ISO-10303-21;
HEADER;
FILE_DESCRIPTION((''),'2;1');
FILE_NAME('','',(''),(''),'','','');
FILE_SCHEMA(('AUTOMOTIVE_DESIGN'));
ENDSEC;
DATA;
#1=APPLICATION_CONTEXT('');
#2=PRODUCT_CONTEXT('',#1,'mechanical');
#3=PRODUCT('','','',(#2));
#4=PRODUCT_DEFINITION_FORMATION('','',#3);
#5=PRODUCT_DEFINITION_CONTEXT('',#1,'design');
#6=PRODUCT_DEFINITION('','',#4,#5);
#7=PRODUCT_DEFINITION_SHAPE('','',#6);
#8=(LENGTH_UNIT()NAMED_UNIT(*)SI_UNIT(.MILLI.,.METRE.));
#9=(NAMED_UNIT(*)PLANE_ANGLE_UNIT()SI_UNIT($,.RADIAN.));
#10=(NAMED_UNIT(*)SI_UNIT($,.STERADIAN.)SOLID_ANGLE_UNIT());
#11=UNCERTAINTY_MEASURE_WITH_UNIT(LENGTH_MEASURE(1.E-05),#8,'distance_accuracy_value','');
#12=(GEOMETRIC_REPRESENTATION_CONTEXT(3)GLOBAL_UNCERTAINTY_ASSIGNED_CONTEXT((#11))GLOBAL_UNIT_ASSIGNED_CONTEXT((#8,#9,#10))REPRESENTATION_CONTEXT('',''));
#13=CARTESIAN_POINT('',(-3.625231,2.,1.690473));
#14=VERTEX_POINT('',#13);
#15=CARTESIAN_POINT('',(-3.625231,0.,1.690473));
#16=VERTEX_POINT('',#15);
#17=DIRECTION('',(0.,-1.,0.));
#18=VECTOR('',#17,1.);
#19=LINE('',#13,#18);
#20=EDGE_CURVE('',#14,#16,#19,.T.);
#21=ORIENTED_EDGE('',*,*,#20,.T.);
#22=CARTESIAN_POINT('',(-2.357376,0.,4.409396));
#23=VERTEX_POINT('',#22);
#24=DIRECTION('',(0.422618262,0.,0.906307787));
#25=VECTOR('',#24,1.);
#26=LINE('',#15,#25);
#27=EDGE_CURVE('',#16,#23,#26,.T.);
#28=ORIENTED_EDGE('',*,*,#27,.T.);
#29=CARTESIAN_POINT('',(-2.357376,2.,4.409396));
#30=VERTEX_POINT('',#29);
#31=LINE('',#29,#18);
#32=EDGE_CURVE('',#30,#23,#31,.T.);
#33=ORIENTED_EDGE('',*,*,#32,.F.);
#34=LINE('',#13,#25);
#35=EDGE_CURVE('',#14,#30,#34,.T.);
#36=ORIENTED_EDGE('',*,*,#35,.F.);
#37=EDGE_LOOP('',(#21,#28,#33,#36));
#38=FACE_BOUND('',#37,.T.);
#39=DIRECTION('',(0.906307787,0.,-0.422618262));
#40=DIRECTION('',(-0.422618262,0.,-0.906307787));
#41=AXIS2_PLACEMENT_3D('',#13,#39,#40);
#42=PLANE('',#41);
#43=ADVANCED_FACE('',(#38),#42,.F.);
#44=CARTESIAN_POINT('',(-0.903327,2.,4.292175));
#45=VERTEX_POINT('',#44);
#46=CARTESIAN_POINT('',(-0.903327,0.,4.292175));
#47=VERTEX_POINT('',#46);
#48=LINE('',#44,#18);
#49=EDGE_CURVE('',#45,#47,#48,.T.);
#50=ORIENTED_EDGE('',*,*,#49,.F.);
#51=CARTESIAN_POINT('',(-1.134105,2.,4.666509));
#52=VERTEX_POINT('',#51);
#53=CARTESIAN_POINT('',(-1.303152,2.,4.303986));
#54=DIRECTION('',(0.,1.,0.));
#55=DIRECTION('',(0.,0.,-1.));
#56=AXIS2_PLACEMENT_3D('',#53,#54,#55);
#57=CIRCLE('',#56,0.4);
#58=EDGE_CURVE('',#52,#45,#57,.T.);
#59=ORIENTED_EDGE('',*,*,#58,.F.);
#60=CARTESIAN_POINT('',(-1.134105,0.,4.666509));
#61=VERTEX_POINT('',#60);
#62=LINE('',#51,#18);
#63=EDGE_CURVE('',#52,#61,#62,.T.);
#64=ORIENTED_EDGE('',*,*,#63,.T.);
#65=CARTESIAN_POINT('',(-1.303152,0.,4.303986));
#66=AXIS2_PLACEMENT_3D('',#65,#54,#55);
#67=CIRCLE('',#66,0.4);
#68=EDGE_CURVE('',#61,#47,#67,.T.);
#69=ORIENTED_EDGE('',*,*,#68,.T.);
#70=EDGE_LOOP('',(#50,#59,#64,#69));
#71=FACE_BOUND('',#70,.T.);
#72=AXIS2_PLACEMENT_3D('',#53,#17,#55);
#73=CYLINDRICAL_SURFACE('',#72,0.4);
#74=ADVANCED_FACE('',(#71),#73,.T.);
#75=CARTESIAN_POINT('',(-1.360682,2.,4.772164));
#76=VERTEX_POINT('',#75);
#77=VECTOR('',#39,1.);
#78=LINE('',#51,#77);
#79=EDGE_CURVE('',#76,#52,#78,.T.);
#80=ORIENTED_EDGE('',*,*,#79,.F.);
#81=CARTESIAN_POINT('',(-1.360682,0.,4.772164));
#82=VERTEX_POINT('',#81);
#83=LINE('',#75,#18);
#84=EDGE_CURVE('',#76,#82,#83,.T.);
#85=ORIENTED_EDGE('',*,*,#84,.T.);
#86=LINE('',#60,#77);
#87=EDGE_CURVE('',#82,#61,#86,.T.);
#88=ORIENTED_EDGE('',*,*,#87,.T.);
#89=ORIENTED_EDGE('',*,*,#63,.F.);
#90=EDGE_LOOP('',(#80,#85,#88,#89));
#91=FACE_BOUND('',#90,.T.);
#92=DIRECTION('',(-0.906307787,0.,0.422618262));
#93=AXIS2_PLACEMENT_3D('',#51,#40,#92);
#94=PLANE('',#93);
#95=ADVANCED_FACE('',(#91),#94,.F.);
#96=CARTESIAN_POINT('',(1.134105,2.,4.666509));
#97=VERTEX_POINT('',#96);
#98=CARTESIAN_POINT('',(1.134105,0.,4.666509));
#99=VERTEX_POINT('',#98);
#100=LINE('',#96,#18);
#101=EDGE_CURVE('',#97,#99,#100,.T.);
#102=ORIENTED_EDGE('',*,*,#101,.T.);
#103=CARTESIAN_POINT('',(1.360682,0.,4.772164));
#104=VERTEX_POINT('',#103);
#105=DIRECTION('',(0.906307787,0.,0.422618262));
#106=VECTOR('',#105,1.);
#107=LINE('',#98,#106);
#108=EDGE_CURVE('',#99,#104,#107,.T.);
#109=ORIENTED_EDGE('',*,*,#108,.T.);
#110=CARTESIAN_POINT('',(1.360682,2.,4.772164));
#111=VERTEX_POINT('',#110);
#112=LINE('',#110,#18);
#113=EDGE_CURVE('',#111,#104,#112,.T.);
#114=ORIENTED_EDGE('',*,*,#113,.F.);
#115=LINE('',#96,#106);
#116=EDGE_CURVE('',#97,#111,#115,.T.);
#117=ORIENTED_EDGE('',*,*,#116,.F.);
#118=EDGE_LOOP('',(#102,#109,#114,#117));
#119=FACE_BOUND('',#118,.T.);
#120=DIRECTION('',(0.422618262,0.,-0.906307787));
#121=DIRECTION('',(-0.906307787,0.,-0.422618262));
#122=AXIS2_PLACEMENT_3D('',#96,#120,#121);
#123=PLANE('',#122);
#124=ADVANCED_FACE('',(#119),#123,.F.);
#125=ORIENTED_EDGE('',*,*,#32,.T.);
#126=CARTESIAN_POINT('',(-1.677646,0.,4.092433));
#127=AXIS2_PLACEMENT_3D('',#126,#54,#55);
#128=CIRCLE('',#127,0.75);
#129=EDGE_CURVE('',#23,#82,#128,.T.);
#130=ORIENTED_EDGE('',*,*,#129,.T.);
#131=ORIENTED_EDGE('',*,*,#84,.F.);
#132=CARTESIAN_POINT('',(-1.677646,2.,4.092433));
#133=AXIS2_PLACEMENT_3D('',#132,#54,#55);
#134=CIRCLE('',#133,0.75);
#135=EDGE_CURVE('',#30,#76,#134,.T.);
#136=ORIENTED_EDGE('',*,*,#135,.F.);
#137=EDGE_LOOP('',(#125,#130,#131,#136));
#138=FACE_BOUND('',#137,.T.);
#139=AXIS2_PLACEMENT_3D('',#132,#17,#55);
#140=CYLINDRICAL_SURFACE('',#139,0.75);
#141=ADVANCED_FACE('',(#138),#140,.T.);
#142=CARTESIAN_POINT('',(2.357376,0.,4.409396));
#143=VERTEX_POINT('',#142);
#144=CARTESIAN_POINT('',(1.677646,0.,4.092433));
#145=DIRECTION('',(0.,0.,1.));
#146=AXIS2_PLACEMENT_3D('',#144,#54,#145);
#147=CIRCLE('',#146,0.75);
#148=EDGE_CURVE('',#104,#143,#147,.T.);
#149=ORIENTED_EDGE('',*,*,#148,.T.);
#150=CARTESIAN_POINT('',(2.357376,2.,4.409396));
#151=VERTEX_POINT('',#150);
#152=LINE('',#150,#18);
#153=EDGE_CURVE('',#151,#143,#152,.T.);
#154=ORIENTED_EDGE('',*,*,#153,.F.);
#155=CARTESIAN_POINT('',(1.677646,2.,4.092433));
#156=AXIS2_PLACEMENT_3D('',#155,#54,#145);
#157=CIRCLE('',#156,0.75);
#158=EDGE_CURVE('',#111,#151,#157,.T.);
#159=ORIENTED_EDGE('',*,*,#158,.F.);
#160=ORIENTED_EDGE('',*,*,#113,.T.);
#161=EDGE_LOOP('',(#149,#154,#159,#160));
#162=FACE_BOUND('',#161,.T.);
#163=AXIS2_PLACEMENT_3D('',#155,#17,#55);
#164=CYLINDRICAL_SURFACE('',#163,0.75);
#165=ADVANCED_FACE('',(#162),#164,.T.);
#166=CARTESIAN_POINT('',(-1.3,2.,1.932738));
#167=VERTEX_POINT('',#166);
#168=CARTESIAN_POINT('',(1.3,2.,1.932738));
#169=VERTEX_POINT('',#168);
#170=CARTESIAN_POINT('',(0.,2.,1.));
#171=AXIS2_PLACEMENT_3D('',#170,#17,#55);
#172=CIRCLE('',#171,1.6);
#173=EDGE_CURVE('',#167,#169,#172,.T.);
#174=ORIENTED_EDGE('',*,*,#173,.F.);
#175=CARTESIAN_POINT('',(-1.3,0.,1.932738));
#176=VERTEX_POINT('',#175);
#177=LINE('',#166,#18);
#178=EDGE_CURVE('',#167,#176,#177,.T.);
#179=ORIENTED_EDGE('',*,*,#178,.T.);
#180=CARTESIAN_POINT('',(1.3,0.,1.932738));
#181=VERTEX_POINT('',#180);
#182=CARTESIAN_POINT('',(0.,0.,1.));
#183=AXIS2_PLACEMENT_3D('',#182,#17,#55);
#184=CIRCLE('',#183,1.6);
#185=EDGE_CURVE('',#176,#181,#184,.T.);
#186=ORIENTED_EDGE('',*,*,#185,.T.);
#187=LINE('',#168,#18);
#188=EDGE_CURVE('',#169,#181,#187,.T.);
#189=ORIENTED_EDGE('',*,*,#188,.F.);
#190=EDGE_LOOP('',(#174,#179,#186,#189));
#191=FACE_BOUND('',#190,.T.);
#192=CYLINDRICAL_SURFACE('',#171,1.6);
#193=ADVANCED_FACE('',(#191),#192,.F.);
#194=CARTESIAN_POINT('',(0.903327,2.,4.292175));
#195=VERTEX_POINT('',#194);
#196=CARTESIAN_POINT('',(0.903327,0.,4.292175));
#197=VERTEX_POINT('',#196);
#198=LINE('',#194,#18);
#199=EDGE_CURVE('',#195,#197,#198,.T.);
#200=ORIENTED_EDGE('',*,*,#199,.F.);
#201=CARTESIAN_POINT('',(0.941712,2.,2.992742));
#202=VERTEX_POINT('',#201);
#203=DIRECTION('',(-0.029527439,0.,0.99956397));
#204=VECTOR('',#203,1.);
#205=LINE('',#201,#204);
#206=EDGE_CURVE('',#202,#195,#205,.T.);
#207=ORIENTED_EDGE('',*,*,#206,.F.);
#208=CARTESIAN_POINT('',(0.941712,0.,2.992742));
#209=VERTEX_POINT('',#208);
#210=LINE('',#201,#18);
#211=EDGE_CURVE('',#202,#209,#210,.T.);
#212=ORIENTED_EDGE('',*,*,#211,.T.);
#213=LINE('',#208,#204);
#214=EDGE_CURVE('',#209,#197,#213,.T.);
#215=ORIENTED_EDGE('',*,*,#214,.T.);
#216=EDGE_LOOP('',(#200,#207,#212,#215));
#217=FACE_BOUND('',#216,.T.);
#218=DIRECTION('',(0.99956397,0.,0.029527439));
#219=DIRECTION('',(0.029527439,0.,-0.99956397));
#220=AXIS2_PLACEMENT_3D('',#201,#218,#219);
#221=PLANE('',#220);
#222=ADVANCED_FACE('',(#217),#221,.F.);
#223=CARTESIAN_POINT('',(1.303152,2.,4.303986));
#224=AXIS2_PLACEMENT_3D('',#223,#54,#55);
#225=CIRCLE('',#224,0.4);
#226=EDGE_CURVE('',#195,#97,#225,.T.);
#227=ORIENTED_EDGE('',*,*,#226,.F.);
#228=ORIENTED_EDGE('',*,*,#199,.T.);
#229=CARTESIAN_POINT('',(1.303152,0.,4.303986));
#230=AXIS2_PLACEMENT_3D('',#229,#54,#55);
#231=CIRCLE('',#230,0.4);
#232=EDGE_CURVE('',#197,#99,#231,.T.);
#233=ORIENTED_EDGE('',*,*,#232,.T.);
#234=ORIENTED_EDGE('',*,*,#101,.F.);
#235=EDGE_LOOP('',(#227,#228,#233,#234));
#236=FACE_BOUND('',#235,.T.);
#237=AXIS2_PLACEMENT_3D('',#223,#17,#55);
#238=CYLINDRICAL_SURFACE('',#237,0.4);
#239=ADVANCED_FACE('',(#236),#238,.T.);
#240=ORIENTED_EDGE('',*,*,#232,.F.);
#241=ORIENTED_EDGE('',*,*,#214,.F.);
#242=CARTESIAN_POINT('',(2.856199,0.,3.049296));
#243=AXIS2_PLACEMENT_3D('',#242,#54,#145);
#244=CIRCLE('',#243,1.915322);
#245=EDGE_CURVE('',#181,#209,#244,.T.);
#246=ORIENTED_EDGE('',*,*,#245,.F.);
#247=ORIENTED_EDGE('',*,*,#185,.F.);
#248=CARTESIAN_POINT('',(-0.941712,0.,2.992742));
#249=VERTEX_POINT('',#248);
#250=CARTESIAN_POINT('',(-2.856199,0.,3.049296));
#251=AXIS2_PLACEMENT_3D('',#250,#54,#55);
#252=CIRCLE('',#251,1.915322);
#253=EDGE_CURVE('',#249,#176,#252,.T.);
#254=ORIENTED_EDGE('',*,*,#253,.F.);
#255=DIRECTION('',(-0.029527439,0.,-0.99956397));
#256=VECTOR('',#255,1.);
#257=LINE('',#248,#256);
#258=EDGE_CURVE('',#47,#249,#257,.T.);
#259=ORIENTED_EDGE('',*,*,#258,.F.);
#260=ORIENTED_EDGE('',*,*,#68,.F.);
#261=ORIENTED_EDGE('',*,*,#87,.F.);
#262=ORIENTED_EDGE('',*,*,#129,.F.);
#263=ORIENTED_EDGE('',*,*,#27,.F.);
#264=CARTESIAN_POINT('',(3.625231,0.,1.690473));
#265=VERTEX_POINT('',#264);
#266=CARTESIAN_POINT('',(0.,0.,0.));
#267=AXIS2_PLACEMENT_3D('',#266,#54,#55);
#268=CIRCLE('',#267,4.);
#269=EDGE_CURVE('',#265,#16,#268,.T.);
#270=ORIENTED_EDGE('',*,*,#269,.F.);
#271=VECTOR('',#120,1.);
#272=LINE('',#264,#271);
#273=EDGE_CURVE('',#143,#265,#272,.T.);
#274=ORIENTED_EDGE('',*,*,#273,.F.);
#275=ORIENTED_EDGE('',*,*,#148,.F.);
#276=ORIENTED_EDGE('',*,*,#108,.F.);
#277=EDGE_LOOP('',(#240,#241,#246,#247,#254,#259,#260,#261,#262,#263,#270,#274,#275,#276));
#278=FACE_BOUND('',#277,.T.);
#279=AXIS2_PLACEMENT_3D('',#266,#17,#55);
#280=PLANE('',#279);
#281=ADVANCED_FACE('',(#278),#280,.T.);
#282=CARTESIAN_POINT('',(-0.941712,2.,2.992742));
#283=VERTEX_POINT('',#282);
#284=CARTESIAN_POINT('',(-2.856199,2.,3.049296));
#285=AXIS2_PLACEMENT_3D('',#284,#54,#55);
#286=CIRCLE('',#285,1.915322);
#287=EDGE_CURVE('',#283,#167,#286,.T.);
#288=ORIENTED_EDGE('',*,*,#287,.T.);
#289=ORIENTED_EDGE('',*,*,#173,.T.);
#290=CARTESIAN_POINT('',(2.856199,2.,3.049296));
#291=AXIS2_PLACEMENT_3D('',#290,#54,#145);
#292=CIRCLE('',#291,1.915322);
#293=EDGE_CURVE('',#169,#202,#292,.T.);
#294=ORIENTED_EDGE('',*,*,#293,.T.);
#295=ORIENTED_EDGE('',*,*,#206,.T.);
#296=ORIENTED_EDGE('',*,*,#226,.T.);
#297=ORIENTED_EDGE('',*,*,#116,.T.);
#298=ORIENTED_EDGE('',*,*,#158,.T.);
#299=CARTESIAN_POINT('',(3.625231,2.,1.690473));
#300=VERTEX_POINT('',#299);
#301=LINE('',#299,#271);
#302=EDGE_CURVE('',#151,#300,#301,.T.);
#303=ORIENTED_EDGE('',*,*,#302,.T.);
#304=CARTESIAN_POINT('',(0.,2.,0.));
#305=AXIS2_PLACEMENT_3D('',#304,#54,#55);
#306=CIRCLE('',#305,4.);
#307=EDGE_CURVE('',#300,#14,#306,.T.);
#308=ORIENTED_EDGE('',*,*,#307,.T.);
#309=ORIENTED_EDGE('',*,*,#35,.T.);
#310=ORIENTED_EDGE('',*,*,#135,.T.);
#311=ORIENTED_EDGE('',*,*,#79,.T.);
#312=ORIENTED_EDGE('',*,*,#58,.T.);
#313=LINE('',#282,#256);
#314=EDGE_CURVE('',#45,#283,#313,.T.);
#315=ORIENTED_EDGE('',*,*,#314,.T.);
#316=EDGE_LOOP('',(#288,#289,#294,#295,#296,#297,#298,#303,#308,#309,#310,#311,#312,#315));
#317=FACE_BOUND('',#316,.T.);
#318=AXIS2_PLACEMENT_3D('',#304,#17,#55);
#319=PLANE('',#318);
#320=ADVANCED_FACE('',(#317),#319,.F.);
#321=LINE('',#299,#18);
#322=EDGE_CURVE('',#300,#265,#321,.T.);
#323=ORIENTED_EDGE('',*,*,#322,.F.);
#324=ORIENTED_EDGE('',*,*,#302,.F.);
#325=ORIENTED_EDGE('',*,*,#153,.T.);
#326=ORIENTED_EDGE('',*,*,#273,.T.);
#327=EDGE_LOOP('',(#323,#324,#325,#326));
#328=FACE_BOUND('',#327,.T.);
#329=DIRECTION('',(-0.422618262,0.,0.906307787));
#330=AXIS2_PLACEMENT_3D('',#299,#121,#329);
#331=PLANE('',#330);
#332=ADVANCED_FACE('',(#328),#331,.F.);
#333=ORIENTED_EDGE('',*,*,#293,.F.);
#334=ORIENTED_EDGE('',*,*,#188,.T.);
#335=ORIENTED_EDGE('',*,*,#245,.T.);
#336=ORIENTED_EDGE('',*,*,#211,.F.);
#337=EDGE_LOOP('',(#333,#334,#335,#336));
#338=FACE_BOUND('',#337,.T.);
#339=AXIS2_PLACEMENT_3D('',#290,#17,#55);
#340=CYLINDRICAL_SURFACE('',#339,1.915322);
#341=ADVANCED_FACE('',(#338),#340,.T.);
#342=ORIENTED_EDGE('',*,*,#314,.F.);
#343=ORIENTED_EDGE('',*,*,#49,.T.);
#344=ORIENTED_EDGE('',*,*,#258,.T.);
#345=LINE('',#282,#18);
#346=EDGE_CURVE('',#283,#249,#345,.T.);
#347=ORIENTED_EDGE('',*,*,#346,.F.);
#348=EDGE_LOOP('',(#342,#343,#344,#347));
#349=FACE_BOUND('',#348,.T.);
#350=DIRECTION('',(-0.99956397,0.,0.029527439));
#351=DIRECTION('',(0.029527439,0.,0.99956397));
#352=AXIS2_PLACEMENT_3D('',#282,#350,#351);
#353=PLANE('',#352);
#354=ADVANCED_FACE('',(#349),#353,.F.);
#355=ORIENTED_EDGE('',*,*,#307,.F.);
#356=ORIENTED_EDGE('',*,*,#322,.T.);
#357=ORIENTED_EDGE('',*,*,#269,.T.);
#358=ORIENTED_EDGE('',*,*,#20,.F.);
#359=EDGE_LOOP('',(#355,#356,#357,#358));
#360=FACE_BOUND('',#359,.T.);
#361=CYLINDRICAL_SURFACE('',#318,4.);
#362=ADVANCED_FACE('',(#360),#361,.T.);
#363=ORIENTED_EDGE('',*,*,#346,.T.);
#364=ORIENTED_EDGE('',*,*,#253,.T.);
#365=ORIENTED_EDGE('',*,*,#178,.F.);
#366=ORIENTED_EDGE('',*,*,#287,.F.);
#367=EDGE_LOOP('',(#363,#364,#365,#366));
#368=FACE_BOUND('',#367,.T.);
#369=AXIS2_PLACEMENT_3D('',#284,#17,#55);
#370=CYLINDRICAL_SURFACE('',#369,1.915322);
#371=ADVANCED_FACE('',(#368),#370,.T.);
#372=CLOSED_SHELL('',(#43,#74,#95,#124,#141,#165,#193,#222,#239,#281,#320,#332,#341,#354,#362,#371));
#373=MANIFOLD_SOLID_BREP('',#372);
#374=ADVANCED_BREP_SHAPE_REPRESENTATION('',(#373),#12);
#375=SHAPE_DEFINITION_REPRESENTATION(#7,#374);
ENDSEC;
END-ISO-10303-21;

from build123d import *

# Parameters (mm, degrees)
BOSS_EXTRUDE1_DEPTH = 2


with BuildPart() as part:
    # Sketch2 → Boss-Extrude1 (new body)
    with BuildSketch(Plane(origin=(0, 0, 0), x_dir=(1, 0, 0), z_dir=(0, 1, 0))):
        with BuildLine():
            Line((-3.625231148, -1.690473047), (-2.357376363, -4.409396408))
            ThreePointArc((-2.357376363, -4.409396408), (-1.93416063, -4.797202177), (-1.360681826, -4.772163552))
            Line((-1.360681826, -4.772163552), (-1.13410488, -4.666508987))
            ThreePointArc((-1.13410488, -4.666508987), (-0.96265902, -4.513901105), (-0.903326596, -4.292174896))
            Line((-0.903326596, -4.292174896), (-0.941712266, -2.992741735))
            ThreePointArc((-0.941712266, -2.992741735), (-1.04172473, -2.435992925), (-1.3, -1.932737905))
            ThreePointArc((-1.3, -1.932737905), (0, 0.6), (1.3, -1.932737905))
            ThreePointArc((1.3, -1.932737905), (1.04172473, -2.435992925), (0.941712266, -2.992741735))
            Line((0.941712266, -2.992741735), (0.903326596, -4.292174896))
            ThreePointArc((0.903326596, -4.292174896), (0.96265902, -4.513901105), (1.13410488, -4.666508987))
            Line((1.13410488, -4.666508987), (1.360681826, -4.772163552))
            ThreePointArc((1.360681826, -4.772163552), (1.93416063, -4.797202177), (2.357376363, -4.409396408))
            Line((2.357376363, -4.409396408), (3.625231148, -1.690473047))
            ThreePointArc((3.625231148, -1.690473047), (0, 4), (-3.625231148, -1.690473047))
        make_face()
    extrude(amount=BOSS_EXTRUDE1_DEPTH)


solid = part.part
